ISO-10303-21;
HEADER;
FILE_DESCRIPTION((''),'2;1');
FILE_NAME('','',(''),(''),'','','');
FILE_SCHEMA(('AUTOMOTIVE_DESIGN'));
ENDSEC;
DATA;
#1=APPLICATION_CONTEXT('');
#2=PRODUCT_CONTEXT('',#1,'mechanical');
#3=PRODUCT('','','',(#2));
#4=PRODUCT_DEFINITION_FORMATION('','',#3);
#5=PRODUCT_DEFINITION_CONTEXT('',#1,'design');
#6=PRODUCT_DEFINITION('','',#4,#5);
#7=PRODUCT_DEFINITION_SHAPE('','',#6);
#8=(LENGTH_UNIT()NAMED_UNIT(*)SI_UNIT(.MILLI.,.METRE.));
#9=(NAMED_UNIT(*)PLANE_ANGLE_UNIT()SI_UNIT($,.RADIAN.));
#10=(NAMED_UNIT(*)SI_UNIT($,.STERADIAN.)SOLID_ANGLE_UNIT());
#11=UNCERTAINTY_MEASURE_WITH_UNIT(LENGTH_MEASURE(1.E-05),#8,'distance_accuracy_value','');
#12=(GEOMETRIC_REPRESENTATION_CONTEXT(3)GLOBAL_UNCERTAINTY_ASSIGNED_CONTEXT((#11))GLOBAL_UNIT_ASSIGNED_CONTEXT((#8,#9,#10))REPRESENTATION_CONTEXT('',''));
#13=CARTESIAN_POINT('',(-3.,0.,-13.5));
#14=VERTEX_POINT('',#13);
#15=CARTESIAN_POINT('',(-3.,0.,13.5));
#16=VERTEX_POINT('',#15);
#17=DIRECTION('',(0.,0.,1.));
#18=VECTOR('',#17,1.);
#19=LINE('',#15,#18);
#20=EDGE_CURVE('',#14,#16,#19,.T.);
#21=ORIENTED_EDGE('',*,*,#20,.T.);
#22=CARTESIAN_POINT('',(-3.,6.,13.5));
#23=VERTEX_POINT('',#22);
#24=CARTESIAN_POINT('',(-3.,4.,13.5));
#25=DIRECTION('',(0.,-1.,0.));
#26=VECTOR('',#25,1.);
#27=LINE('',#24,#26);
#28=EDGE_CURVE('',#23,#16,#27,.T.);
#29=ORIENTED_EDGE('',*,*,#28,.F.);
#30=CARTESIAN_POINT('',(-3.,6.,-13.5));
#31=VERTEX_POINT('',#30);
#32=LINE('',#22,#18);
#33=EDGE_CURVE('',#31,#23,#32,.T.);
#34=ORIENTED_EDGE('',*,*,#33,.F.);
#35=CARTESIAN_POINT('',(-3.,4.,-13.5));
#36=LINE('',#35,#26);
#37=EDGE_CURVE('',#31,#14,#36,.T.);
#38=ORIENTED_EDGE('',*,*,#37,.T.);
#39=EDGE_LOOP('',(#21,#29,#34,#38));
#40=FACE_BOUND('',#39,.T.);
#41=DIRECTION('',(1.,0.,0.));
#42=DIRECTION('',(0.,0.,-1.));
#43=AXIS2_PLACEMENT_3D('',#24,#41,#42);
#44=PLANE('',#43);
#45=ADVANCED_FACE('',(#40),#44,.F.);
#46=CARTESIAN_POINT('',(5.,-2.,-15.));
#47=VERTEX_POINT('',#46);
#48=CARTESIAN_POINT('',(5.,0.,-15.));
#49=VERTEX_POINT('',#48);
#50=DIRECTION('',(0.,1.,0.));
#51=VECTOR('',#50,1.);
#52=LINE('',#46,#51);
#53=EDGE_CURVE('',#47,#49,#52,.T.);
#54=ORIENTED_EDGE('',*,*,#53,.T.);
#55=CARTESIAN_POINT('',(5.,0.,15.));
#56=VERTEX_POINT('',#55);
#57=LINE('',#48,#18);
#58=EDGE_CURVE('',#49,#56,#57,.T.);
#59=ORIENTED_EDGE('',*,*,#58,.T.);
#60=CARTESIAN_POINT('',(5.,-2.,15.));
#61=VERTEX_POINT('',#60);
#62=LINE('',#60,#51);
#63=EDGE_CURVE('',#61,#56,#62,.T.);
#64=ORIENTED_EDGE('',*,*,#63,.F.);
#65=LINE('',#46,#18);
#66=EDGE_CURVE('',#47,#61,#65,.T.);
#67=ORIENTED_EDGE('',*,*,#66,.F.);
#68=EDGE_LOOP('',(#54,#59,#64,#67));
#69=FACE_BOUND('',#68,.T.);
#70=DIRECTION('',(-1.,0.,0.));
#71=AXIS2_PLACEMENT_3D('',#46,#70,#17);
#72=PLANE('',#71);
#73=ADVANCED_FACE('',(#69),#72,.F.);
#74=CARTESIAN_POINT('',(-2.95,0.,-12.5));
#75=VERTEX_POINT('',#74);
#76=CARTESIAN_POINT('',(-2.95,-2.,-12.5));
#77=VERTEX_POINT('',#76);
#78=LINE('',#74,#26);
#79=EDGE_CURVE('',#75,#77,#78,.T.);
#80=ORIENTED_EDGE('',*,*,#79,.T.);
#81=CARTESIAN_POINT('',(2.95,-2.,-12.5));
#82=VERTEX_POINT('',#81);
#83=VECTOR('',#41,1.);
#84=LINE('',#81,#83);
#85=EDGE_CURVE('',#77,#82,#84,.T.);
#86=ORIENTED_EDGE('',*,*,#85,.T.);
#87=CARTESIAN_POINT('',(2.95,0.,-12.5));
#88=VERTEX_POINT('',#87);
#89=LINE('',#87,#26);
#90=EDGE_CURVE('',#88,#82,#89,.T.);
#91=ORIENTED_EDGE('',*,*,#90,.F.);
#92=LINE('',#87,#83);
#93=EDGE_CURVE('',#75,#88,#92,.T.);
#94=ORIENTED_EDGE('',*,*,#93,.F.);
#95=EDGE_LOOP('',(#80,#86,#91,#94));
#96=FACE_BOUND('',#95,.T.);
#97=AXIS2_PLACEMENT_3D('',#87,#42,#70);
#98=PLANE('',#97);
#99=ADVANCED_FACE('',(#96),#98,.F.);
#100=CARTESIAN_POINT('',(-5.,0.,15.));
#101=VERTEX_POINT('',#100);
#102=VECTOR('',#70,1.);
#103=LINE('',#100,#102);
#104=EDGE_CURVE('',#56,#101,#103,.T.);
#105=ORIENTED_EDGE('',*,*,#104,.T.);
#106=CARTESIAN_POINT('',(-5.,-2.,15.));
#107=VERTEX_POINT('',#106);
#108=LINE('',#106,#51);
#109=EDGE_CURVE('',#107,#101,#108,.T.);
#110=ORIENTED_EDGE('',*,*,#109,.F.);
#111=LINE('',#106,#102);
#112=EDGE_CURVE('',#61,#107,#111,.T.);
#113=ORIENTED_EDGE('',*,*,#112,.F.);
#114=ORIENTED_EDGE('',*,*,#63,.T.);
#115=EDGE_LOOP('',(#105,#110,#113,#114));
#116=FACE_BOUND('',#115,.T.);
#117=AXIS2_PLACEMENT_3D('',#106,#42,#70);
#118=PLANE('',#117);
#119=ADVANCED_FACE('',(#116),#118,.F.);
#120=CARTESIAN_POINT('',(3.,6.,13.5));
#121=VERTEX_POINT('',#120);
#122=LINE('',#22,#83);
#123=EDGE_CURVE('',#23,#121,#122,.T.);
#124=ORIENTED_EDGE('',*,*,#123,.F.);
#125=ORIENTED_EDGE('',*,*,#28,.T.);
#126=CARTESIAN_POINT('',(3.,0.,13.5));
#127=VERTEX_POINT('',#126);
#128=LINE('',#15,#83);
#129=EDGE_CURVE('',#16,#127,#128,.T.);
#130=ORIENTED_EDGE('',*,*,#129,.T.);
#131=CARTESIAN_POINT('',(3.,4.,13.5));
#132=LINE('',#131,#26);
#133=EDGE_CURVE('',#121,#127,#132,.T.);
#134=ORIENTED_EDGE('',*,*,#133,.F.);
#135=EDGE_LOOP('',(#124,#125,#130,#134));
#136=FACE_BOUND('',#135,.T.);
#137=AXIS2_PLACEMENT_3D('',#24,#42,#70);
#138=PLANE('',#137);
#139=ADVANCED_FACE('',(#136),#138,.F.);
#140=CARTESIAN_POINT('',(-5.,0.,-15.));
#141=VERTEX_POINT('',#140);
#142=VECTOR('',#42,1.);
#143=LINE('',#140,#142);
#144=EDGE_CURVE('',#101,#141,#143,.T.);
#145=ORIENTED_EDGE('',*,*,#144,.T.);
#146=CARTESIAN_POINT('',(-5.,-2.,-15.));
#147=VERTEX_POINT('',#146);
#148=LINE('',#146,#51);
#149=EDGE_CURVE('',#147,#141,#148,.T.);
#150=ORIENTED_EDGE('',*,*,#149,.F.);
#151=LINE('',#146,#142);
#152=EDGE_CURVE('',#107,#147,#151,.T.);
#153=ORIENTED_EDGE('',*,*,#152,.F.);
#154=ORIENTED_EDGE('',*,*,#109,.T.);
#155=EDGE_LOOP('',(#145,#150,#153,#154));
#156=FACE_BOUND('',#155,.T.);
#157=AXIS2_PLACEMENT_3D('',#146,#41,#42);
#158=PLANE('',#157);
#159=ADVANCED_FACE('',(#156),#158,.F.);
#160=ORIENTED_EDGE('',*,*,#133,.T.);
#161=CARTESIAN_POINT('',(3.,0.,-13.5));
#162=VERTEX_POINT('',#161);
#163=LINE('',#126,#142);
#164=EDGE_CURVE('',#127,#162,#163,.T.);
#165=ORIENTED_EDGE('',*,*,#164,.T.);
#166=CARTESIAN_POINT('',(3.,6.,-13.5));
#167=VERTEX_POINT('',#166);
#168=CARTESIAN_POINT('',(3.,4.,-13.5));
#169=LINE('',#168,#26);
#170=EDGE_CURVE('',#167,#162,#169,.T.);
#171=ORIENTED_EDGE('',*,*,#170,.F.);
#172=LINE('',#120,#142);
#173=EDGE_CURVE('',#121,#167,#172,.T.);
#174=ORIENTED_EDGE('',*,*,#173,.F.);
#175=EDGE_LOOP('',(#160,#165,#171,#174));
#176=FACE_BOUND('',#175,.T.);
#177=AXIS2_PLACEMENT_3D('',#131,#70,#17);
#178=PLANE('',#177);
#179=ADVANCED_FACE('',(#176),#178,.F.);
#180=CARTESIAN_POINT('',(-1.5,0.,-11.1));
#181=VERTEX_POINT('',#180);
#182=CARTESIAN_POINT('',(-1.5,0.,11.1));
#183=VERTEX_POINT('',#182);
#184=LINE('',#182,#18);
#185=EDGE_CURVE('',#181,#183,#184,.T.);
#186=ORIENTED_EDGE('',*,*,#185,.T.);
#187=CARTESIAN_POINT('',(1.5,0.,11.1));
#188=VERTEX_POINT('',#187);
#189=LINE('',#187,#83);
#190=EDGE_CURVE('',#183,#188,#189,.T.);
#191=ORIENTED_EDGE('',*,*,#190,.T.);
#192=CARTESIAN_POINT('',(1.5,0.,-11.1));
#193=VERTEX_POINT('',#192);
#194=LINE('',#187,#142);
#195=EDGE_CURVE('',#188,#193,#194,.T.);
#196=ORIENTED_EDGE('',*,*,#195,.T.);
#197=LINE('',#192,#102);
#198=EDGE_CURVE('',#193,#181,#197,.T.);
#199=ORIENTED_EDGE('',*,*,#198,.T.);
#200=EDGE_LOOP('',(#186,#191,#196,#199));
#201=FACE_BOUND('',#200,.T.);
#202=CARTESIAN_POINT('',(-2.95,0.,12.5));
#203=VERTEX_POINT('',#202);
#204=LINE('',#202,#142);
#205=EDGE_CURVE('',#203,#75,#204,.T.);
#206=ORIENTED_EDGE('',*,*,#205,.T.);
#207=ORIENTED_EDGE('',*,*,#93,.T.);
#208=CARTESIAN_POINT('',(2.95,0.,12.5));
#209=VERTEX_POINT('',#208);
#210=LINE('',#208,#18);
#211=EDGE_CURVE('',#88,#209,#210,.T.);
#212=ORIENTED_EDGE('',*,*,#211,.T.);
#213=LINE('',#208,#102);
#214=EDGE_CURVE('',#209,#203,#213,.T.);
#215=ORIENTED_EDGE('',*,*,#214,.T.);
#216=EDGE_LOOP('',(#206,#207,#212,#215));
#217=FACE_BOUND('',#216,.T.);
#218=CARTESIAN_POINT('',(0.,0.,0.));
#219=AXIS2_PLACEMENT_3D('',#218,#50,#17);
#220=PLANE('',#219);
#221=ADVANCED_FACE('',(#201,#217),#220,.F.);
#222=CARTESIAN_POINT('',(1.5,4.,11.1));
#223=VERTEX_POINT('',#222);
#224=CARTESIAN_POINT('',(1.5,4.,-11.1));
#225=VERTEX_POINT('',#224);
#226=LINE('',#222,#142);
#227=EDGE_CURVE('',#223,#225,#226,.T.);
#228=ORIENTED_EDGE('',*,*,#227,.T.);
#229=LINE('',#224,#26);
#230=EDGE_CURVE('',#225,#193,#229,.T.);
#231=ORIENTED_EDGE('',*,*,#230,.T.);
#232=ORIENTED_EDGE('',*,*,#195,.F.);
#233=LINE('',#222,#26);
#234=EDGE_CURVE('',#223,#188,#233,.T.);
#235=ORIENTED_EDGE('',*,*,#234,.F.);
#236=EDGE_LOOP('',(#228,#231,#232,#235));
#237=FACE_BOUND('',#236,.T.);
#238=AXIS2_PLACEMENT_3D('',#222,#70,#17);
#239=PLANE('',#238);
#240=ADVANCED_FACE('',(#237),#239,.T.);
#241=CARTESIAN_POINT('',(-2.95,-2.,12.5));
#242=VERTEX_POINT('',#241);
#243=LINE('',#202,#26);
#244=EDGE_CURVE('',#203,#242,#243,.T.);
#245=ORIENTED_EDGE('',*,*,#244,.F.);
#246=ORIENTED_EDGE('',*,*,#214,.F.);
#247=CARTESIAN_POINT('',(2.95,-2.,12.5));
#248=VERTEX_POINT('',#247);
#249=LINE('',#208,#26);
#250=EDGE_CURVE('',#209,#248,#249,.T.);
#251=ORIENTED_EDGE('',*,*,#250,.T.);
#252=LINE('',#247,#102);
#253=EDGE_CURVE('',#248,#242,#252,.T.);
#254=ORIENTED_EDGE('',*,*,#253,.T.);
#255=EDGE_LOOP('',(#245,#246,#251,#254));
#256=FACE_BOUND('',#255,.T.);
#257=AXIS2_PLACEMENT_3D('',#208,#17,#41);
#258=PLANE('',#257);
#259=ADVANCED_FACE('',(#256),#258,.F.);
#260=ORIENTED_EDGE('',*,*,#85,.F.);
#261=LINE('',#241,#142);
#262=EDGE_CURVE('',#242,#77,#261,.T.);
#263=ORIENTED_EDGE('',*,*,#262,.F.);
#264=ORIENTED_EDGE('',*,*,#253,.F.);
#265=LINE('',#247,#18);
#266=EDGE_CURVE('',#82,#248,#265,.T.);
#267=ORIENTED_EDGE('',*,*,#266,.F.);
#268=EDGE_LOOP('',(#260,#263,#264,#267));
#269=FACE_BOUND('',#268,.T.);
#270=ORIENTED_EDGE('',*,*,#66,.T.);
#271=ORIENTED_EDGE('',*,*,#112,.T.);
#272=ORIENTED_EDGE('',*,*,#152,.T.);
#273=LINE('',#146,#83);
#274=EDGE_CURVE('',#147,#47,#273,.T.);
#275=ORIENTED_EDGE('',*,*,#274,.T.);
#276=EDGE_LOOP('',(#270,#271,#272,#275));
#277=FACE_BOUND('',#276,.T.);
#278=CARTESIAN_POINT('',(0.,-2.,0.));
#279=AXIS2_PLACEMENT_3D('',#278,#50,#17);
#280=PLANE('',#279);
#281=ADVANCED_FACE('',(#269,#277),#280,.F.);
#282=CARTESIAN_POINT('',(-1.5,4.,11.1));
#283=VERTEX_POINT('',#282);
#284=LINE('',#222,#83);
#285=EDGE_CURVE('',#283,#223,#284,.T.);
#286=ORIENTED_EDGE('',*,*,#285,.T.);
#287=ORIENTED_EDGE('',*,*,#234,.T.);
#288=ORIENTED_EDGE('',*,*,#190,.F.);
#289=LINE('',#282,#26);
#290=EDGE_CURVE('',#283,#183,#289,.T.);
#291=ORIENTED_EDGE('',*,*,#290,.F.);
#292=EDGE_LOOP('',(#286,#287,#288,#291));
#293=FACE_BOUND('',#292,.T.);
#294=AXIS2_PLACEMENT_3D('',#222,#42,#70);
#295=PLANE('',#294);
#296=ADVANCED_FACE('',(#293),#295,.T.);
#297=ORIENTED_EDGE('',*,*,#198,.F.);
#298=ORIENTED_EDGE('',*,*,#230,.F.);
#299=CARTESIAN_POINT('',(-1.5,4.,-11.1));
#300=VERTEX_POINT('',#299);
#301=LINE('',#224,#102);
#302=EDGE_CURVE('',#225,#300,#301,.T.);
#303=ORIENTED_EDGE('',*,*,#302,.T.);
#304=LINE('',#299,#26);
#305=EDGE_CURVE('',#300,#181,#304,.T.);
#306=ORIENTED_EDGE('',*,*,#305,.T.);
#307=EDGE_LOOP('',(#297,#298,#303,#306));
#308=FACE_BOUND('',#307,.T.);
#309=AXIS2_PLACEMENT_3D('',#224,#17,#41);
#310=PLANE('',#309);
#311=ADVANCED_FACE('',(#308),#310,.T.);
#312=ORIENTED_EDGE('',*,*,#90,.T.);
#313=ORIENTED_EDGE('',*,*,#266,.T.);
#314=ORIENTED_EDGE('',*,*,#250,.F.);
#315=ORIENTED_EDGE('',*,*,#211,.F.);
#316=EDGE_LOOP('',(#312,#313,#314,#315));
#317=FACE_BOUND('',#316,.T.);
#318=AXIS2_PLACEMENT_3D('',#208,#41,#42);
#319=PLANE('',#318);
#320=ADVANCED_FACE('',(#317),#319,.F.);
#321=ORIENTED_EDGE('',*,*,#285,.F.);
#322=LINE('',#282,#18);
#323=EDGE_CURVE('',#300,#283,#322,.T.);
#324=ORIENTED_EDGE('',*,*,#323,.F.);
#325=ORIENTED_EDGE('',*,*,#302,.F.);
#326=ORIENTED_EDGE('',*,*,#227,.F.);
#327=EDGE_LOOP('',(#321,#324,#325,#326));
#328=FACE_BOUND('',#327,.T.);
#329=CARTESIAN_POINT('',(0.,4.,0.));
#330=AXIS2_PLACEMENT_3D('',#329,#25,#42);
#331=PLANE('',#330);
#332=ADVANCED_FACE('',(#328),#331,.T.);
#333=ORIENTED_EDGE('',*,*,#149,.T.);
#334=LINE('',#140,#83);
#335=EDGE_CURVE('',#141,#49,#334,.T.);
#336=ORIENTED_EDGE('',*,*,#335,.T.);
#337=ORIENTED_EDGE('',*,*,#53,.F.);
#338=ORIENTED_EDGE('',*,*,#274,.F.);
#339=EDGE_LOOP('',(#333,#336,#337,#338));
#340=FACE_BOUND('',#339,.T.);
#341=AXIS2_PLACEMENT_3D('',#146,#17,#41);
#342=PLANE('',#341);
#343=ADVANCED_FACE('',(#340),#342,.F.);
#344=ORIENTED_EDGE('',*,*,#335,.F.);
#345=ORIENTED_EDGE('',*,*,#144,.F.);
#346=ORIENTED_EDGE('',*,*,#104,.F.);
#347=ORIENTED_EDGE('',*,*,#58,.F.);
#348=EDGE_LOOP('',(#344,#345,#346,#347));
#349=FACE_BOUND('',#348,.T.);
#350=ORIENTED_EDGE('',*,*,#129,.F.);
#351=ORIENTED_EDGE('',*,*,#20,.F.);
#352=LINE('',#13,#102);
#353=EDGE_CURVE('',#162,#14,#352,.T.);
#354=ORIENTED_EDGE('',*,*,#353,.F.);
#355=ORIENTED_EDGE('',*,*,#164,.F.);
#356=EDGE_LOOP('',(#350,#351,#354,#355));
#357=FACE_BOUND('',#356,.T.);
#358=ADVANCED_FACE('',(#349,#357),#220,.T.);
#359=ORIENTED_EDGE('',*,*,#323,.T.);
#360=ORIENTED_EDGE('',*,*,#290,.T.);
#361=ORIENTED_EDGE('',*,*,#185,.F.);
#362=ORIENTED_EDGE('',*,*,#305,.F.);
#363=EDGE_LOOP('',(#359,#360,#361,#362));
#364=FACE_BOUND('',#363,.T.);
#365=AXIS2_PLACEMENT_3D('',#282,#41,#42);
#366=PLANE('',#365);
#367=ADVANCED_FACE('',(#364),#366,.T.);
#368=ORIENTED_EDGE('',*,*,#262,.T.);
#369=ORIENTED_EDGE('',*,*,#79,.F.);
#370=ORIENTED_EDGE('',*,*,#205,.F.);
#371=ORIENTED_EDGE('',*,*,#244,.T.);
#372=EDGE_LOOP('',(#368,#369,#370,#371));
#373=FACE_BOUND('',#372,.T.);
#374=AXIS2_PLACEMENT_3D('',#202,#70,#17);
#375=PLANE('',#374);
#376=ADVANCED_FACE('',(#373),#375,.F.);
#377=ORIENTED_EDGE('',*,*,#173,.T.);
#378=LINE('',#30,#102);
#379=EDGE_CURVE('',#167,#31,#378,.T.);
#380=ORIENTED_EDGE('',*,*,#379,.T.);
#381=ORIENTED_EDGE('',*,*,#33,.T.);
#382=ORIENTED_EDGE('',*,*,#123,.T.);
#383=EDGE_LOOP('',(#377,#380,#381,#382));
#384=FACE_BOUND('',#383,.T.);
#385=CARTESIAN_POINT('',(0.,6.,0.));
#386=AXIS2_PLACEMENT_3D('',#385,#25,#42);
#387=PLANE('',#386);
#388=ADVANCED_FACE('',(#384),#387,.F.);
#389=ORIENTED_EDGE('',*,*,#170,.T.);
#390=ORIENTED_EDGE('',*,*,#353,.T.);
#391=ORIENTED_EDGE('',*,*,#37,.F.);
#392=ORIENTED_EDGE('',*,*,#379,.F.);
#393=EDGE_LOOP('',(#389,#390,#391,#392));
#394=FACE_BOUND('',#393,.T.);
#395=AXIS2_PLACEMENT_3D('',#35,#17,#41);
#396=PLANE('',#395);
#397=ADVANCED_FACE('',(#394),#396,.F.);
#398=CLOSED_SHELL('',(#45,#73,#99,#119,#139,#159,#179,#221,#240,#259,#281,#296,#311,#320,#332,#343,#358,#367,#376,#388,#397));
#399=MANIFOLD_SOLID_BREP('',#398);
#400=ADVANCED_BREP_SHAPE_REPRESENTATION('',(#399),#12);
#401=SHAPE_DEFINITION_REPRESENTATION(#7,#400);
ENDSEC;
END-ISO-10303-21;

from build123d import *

# Parameters (mm, degrees)
SKETCH_1_W          = 6
SKETCH_1_H          = 27
SKETCH_1_W_2        = 3
SKETCH_1_H_2        = 22.2
EXTRUDE_1_DEPTH     = 4
SKETCH_2_W          = 6
SKETCH_2_H          = 27
EXTRUDE_2_DEPTH     = 2
SKETCH_3_W          = 10
SKETCH_3_H          = 30
EXTRUDE_3_DEPTH     = 2
SKETCH_4_W          = 5.9
SKETCH_4_H          = 25
CUT_EXTRUDE_3_DEPTH = 2


with BuildPart() as part:
    # 草图1 → 凸台-拉伸1 (new body)
    with BuildSketch(Plane(origin=(0, 0, 0), x_dir=(1, 0, 0), z_dir=(0, 1, 0))):
        Rectangle(SKETCH_1_W, SKETCH_1_H)
        Rectangle(SKETCH_1_W_2, SKETCH_1_H_2, mode=Mode.SUBTRACT)
    extrude(amount=EXTRUDE_1_DEPTH)

    # 草图2 → 凸台-拉伸2 (add)
    with BuildSketch(Plane(origin=(0, 4, 0), x_dir=(1, 0, 0), z_dir=(0, 1, 0))):
        Rectangle(SKETCH_2_W, SKETCH_2_H)
    extrude(amount=EXTRUDE_2_DEPTH)

    # 草图3 → 凸台-拉伸3 (add)
    with BuildSketch(Plane.XZ):
        Rectangle(SKETCH_3_W, SKETCH_3_H)
    extrude(amount=EXTRUDE_3_DEPTH)

    # 草图4 → 切除-拉伸3 (cut)
    with BuildSketch(Plane.XZ.offset(2)):
        Rectangle(SKETCH_4_W, SKETCH_4_H)
    extrude(amount=-CUT_EXTRUDE_3_DEPTH, mode=Mode.SUBTRACT)


solid = part.part
